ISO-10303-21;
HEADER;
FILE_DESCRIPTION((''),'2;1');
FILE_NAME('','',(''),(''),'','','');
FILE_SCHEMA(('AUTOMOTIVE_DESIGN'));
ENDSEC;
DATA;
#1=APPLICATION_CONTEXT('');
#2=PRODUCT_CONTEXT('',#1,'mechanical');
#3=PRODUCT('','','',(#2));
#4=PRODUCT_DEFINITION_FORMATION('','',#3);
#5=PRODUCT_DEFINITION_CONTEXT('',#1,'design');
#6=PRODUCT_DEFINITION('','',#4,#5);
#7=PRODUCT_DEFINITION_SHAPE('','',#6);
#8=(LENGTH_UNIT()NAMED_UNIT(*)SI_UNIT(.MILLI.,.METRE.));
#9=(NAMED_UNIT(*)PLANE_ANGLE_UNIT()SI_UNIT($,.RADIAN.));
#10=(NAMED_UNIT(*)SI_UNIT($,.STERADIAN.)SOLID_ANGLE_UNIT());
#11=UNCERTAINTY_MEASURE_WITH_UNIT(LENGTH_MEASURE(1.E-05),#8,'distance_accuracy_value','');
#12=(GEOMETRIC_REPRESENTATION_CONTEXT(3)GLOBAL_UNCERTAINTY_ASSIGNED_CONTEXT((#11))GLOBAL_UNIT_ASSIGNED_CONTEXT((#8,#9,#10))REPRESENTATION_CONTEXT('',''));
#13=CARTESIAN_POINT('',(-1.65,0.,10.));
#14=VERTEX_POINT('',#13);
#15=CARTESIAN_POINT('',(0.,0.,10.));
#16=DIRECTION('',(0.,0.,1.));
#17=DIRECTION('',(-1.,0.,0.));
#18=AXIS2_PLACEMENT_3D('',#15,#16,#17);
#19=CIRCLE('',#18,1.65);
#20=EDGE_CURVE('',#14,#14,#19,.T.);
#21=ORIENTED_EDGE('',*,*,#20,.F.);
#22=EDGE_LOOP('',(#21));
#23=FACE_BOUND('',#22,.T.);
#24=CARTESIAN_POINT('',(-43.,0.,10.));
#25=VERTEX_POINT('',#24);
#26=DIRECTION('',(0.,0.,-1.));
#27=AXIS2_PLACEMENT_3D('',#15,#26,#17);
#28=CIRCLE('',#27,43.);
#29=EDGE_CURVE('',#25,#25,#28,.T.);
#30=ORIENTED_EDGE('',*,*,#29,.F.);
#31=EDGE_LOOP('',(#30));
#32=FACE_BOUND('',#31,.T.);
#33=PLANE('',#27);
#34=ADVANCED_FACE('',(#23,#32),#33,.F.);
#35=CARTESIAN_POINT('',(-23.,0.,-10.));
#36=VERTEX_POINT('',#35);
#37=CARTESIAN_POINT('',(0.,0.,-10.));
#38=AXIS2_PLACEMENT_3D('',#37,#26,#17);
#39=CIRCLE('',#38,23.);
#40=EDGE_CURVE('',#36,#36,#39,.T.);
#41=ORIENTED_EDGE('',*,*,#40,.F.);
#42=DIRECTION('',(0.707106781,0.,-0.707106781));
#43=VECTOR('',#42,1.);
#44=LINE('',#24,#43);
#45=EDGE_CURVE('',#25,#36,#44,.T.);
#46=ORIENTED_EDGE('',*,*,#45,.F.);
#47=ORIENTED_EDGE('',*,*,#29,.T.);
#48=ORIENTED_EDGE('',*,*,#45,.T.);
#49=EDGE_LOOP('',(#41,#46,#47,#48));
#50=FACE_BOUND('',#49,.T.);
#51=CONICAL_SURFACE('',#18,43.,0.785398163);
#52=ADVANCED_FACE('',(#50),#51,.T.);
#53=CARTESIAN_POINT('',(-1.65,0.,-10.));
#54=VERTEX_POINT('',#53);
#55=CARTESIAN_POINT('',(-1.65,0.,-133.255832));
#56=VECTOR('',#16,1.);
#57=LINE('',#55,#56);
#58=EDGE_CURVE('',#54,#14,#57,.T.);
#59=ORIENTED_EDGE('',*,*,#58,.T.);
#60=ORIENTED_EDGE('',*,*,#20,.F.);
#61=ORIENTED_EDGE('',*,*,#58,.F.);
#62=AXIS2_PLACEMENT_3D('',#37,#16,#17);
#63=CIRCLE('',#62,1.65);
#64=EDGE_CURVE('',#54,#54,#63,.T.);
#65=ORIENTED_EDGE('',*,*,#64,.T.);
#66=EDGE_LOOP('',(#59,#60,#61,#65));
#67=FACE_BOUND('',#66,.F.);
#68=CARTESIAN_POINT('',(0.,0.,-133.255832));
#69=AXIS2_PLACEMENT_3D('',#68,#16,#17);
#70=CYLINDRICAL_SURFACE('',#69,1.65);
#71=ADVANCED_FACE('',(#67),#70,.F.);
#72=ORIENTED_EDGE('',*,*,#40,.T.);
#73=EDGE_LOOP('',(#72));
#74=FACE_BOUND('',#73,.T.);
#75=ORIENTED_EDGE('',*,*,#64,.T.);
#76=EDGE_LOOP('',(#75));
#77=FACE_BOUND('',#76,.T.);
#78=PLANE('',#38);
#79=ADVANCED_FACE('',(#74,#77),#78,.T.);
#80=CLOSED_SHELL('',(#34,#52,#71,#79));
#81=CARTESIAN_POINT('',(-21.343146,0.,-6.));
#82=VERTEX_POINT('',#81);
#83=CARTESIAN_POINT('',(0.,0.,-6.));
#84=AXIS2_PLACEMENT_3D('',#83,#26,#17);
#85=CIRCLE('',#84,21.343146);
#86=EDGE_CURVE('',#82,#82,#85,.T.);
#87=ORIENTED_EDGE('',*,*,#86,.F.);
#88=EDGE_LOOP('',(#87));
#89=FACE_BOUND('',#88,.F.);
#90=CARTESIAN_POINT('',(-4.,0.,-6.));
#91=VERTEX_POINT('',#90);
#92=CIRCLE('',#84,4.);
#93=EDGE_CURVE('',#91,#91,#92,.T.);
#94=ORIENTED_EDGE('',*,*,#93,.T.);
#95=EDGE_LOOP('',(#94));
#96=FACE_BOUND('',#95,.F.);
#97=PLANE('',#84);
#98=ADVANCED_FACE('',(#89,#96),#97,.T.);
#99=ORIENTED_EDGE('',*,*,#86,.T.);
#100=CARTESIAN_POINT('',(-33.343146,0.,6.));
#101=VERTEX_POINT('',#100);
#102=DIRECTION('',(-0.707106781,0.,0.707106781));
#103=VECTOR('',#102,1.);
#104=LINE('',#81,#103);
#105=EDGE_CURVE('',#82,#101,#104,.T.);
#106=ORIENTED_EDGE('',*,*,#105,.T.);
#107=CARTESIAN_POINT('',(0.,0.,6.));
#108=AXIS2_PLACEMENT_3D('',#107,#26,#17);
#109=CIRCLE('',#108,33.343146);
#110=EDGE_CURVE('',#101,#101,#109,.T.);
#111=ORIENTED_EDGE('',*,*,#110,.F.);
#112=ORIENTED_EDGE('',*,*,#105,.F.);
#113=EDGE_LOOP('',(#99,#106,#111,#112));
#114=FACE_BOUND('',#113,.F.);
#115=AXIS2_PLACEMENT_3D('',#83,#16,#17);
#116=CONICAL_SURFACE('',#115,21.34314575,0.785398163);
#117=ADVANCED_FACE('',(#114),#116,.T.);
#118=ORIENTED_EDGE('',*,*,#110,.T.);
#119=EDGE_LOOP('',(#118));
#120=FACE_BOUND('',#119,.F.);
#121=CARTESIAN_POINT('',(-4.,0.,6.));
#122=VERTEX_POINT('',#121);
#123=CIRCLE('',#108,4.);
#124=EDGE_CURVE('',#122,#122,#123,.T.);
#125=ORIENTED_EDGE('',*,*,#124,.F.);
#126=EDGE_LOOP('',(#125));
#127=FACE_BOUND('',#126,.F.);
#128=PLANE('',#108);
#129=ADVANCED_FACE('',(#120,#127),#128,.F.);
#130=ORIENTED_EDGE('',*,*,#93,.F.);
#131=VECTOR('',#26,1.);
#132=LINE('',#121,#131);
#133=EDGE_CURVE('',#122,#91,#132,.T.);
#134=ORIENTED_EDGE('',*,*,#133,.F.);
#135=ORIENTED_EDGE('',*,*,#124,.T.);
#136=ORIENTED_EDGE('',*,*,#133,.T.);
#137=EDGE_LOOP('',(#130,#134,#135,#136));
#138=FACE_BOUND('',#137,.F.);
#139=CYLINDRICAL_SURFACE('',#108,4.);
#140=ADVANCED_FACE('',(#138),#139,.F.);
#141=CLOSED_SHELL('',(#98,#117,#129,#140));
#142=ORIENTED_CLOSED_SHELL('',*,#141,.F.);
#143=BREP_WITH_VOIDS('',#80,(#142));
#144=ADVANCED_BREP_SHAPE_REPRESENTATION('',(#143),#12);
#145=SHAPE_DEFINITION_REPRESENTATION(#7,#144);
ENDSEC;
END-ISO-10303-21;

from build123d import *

# Parameters (mm, degrees)
F3_D = 3.3


with BuildPart() as f1:
    # F0 (on Front) → F1 (revolve)
    with BuildSketch(Plane.XZ):
        Polygon((0, 10), (-43, 10), (-23, -10), (0, -10), align=None)
        Polygon((-21.3431457505, -6), (-33.3431457505, 6), (-4, 6), (-4, -6), align=None, mode=Mode.SUBTRACT)
    revolve(axis=Axis((0, 0, 0), (0, 0, -1)))

    # F3 (through all)
    with Locations(Plane(origin=(0, 0, -10), x_dir=(1, 0, 0), z_dir=(0, 0, -1))):
        with Locations((0, 0)):
            Hole(F3_D / 2)


solid = f1.part
